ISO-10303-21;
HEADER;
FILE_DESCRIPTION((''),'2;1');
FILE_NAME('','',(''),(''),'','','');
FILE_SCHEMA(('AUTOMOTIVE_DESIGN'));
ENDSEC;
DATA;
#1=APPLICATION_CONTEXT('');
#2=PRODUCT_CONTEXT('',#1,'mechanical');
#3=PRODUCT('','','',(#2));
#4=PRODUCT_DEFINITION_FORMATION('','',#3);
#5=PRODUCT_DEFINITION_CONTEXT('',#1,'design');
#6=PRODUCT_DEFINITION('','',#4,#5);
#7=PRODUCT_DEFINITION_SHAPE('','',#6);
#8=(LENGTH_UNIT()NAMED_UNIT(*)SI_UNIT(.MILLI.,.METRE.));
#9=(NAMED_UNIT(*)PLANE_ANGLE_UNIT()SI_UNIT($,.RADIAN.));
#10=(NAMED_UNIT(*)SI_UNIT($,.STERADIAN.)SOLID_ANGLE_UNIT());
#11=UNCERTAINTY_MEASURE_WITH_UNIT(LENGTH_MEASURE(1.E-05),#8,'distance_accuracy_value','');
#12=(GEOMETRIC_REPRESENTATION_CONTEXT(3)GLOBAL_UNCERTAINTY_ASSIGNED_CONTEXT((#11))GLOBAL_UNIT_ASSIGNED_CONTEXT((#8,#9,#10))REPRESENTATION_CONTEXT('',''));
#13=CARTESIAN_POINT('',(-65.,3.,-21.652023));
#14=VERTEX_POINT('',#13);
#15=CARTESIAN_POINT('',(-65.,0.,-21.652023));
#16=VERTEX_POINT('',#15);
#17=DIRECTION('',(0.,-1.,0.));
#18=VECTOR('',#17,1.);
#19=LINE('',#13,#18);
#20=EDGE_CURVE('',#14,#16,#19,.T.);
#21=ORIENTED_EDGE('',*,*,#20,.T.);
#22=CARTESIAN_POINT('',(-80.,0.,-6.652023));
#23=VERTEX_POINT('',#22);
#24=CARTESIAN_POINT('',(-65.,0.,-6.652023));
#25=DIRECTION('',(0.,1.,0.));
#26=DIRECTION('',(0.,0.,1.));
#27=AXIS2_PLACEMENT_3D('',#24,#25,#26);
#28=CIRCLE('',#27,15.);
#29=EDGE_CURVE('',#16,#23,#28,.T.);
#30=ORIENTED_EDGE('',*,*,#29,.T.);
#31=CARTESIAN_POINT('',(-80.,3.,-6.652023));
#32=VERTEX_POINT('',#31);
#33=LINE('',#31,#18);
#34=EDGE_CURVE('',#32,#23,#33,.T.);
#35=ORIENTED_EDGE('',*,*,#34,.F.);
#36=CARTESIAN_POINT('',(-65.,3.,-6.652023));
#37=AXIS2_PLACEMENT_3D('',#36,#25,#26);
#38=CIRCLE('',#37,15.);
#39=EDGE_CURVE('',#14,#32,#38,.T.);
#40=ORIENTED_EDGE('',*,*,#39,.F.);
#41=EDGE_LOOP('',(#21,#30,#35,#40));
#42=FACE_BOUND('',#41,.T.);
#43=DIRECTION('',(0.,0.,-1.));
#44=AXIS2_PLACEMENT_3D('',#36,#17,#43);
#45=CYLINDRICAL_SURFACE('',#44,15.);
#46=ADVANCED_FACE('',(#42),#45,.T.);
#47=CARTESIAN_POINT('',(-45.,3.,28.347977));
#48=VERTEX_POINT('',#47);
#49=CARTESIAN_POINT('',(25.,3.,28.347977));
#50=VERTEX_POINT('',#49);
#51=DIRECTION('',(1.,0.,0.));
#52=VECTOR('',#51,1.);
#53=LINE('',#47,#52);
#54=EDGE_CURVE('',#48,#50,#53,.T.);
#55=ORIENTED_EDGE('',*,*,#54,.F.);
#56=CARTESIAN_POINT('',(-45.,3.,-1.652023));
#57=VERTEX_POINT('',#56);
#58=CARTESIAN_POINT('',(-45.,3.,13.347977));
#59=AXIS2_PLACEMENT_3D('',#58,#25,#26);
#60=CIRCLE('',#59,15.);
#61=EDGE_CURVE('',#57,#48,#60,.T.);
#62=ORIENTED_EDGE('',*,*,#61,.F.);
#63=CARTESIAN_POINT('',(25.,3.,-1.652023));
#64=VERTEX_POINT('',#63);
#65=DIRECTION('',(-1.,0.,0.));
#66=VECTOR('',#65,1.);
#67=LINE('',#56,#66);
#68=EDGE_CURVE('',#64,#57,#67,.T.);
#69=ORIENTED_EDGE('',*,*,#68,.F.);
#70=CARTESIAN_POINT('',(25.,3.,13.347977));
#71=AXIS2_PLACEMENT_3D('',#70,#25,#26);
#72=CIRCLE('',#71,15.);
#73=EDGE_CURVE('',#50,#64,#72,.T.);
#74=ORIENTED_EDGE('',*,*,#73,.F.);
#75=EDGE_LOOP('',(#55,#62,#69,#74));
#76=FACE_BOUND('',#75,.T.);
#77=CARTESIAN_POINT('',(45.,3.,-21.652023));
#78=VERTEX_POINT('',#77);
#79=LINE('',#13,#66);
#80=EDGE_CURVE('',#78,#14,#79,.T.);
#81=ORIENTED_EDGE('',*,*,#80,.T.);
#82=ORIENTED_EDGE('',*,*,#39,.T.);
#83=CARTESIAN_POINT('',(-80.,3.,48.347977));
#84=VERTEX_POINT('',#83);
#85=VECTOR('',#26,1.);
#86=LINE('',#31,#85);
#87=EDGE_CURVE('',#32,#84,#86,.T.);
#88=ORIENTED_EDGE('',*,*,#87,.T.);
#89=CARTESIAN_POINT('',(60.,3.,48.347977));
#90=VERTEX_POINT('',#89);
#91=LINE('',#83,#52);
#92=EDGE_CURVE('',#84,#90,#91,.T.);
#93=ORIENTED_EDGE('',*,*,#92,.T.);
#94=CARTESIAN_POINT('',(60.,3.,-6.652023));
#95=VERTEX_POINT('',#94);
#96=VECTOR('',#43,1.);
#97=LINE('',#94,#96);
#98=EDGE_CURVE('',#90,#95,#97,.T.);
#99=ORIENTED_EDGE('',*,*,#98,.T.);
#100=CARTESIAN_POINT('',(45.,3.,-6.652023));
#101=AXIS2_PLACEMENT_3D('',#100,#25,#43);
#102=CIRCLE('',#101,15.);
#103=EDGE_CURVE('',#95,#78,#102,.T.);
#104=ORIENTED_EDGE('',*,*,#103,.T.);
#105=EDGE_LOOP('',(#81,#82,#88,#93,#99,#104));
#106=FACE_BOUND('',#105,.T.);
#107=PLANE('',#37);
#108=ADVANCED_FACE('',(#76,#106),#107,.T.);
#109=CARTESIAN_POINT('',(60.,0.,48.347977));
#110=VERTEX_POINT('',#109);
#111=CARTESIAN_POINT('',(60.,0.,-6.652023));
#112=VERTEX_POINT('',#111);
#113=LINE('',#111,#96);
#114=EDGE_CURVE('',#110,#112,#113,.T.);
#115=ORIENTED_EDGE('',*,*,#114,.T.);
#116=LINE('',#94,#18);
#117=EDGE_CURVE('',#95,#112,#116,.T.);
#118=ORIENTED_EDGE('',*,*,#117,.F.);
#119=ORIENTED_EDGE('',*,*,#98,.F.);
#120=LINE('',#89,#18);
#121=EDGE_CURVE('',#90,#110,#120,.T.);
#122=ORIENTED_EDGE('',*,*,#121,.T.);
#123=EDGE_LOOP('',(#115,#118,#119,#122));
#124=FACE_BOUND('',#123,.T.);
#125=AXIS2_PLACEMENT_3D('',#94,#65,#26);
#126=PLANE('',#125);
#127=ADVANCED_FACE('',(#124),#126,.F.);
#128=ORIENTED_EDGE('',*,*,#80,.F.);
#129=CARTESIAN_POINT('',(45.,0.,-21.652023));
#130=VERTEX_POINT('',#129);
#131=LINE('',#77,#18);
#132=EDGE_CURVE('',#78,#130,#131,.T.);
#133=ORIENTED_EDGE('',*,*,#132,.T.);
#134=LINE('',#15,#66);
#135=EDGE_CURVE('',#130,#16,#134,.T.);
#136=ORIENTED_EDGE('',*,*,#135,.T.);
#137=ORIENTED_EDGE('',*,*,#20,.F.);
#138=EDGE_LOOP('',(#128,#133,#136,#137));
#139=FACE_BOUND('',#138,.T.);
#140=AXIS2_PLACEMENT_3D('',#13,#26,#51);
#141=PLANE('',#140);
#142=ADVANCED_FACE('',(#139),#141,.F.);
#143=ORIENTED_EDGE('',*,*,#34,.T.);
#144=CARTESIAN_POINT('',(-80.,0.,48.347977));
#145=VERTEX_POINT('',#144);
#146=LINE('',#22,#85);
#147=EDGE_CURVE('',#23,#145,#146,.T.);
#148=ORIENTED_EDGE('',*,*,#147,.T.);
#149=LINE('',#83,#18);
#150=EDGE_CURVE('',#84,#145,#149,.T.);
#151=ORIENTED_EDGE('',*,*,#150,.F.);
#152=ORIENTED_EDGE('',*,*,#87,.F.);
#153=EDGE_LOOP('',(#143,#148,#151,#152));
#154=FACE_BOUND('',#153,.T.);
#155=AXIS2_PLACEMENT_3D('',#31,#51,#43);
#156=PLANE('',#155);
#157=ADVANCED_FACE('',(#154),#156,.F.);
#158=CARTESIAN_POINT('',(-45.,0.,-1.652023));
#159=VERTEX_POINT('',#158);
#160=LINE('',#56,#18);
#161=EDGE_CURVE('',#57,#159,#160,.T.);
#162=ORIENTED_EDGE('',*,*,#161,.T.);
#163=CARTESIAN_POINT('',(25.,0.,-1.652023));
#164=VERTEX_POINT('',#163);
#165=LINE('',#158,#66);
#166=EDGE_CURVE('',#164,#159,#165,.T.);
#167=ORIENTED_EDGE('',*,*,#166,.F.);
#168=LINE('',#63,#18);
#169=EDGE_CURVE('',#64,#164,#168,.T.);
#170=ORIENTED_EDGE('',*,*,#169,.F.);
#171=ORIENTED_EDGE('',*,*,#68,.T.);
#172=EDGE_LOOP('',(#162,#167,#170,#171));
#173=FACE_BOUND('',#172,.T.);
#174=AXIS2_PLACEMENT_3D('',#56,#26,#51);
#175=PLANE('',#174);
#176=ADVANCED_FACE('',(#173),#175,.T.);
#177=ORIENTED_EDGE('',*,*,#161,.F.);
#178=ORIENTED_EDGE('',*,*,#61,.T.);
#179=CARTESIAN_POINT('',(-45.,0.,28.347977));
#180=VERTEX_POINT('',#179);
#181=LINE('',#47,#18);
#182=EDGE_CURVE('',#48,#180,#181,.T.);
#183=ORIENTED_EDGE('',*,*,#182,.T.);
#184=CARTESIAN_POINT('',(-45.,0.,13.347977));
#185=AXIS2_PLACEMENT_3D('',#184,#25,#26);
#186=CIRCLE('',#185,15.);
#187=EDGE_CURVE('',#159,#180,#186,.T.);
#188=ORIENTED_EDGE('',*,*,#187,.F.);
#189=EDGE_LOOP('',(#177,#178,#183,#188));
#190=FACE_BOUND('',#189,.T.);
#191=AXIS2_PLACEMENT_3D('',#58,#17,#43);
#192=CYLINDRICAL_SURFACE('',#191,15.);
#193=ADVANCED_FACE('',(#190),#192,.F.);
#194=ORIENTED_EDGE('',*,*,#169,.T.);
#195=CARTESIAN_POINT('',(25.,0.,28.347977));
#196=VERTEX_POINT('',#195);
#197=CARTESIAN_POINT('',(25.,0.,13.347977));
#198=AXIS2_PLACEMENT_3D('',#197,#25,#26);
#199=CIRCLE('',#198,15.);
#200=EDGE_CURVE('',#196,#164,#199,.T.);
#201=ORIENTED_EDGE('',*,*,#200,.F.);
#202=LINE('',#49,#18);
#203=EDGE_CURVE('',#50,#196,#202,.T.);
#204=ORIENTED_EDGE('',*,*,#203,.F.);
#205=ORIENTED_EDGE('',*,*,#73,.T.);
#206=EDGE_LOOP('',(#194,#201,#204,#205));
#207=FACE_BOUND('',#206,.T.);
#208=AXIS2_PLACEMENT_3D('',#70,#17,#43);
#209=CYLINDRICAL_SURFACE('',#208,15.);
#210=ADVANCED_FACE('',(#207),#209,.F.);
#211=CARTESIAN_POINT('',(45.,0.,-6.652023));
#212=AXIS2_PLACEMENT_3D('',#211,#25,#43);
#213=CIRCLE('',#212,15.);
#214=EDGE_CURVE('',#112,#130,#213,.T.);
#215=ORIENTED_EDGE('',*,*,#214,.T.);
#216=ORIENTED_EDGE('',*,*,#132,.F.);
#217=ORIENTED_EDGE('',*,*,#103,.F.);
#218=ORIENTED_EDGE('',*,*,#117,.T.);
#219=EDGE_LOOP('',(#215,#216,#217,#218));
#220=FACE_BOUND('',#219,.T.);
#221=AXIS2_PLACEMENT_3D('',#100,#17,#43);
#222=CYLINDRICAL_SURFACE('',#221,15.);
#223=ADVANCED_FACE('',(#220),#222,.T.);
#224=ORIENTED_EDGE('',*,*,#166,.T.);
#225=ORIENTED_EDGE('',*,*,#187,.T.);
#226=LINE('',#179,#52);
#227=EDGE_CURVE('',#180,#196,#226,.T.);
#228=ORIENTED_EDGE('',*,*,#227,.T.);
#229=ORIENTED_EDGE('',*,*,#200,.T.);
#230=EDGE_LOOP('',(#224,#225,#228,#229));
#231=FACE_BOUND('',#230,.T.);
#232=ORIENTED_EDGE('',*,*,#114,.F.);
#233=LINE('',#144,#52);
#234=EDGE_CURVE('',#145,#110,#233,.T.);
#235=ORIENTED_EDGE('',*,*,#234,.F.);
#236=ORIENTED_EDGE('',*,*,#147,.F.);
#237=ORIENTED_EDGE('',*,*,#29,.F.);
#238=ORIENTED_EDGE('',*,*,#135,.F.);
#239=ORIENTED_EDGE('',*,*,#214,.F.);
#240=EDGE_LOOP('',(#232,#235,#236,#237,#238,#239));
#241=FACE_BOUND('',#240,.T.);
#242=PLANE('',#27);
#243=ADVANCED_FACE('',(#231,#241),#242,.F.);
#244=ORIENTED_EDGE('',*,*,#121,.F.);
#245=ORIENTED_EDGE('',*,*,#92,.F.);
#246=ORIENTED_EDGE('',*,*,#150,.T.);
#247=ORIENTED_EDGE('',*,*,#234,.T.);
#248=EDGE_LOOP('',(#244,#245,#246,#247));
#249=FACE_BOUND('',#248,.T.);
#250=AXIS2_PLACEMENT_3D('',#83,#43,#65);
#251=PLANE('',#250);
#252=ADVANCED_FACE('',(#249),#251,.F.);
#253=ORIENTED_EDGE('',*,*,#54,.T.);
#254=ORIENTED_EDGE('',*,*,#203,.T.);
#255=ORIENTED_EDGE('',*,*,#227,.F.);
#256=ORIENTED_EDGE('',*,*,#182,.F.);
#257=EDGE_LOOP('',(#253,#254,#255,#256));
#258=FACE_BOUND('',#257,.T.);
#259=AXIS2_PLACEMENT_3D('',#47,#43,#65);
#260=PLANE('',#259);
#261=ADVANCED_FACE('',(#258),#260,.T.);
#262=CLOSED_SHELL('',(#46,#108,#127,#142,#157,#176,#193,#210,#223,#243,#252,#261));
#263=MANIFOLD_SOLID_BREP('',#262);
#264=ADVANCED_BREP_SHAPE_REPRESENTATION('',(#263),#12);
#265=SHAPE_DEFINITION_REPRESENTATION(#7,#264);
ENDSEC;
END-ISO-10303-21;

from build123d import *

# Parameters (mm, degrees)
BOSS_EXTRU_1_DEPTH = 3


with BuildPart() as part:
    # Esquisse3 → Boss.-Extru.1 (new body)
    with BuildSketch(Plane(origin=(0, 0, 0), x_dir=(1, 0, 0), z_dir=(0, 1, 0))):
        with BuildLine():
            Line((-65, 21.652023134), (45, 21.652023134))
            ThreePointArc((45, 21.652023134), (55.606601718, 17.258624852), (60, 6.652023134))
            Line((60, 6.652023134), (60, -48.347976866))
            Line((60, -48.347976866), (-80, -48.347976866))
            Line((-80, -48.347976866), (-80, 6.652023134))
            ThreePointArc((-80, 6.652023134), (-75.606601718, 17.258624852), (-65, 21.652023134))
        make_face()
        with BuildLine():
            Line((-45, 1.652023134), (25, 1.652023134))
            ThreePointArc((25, 1.652023134), (40, -13.347976866), (25, -28.347976866))
            Line((25, -28.347976866), (-45, -28.347976866))
            ThreePointArc((-45, -28.347976866), (-60, -13.347976866), (-45, 1.652023134))
        make_face(mode=Mode.SUBTRACT)
    extrude(amount=BOSS_EXTRU_1_DEPTH)


solid = part.part
